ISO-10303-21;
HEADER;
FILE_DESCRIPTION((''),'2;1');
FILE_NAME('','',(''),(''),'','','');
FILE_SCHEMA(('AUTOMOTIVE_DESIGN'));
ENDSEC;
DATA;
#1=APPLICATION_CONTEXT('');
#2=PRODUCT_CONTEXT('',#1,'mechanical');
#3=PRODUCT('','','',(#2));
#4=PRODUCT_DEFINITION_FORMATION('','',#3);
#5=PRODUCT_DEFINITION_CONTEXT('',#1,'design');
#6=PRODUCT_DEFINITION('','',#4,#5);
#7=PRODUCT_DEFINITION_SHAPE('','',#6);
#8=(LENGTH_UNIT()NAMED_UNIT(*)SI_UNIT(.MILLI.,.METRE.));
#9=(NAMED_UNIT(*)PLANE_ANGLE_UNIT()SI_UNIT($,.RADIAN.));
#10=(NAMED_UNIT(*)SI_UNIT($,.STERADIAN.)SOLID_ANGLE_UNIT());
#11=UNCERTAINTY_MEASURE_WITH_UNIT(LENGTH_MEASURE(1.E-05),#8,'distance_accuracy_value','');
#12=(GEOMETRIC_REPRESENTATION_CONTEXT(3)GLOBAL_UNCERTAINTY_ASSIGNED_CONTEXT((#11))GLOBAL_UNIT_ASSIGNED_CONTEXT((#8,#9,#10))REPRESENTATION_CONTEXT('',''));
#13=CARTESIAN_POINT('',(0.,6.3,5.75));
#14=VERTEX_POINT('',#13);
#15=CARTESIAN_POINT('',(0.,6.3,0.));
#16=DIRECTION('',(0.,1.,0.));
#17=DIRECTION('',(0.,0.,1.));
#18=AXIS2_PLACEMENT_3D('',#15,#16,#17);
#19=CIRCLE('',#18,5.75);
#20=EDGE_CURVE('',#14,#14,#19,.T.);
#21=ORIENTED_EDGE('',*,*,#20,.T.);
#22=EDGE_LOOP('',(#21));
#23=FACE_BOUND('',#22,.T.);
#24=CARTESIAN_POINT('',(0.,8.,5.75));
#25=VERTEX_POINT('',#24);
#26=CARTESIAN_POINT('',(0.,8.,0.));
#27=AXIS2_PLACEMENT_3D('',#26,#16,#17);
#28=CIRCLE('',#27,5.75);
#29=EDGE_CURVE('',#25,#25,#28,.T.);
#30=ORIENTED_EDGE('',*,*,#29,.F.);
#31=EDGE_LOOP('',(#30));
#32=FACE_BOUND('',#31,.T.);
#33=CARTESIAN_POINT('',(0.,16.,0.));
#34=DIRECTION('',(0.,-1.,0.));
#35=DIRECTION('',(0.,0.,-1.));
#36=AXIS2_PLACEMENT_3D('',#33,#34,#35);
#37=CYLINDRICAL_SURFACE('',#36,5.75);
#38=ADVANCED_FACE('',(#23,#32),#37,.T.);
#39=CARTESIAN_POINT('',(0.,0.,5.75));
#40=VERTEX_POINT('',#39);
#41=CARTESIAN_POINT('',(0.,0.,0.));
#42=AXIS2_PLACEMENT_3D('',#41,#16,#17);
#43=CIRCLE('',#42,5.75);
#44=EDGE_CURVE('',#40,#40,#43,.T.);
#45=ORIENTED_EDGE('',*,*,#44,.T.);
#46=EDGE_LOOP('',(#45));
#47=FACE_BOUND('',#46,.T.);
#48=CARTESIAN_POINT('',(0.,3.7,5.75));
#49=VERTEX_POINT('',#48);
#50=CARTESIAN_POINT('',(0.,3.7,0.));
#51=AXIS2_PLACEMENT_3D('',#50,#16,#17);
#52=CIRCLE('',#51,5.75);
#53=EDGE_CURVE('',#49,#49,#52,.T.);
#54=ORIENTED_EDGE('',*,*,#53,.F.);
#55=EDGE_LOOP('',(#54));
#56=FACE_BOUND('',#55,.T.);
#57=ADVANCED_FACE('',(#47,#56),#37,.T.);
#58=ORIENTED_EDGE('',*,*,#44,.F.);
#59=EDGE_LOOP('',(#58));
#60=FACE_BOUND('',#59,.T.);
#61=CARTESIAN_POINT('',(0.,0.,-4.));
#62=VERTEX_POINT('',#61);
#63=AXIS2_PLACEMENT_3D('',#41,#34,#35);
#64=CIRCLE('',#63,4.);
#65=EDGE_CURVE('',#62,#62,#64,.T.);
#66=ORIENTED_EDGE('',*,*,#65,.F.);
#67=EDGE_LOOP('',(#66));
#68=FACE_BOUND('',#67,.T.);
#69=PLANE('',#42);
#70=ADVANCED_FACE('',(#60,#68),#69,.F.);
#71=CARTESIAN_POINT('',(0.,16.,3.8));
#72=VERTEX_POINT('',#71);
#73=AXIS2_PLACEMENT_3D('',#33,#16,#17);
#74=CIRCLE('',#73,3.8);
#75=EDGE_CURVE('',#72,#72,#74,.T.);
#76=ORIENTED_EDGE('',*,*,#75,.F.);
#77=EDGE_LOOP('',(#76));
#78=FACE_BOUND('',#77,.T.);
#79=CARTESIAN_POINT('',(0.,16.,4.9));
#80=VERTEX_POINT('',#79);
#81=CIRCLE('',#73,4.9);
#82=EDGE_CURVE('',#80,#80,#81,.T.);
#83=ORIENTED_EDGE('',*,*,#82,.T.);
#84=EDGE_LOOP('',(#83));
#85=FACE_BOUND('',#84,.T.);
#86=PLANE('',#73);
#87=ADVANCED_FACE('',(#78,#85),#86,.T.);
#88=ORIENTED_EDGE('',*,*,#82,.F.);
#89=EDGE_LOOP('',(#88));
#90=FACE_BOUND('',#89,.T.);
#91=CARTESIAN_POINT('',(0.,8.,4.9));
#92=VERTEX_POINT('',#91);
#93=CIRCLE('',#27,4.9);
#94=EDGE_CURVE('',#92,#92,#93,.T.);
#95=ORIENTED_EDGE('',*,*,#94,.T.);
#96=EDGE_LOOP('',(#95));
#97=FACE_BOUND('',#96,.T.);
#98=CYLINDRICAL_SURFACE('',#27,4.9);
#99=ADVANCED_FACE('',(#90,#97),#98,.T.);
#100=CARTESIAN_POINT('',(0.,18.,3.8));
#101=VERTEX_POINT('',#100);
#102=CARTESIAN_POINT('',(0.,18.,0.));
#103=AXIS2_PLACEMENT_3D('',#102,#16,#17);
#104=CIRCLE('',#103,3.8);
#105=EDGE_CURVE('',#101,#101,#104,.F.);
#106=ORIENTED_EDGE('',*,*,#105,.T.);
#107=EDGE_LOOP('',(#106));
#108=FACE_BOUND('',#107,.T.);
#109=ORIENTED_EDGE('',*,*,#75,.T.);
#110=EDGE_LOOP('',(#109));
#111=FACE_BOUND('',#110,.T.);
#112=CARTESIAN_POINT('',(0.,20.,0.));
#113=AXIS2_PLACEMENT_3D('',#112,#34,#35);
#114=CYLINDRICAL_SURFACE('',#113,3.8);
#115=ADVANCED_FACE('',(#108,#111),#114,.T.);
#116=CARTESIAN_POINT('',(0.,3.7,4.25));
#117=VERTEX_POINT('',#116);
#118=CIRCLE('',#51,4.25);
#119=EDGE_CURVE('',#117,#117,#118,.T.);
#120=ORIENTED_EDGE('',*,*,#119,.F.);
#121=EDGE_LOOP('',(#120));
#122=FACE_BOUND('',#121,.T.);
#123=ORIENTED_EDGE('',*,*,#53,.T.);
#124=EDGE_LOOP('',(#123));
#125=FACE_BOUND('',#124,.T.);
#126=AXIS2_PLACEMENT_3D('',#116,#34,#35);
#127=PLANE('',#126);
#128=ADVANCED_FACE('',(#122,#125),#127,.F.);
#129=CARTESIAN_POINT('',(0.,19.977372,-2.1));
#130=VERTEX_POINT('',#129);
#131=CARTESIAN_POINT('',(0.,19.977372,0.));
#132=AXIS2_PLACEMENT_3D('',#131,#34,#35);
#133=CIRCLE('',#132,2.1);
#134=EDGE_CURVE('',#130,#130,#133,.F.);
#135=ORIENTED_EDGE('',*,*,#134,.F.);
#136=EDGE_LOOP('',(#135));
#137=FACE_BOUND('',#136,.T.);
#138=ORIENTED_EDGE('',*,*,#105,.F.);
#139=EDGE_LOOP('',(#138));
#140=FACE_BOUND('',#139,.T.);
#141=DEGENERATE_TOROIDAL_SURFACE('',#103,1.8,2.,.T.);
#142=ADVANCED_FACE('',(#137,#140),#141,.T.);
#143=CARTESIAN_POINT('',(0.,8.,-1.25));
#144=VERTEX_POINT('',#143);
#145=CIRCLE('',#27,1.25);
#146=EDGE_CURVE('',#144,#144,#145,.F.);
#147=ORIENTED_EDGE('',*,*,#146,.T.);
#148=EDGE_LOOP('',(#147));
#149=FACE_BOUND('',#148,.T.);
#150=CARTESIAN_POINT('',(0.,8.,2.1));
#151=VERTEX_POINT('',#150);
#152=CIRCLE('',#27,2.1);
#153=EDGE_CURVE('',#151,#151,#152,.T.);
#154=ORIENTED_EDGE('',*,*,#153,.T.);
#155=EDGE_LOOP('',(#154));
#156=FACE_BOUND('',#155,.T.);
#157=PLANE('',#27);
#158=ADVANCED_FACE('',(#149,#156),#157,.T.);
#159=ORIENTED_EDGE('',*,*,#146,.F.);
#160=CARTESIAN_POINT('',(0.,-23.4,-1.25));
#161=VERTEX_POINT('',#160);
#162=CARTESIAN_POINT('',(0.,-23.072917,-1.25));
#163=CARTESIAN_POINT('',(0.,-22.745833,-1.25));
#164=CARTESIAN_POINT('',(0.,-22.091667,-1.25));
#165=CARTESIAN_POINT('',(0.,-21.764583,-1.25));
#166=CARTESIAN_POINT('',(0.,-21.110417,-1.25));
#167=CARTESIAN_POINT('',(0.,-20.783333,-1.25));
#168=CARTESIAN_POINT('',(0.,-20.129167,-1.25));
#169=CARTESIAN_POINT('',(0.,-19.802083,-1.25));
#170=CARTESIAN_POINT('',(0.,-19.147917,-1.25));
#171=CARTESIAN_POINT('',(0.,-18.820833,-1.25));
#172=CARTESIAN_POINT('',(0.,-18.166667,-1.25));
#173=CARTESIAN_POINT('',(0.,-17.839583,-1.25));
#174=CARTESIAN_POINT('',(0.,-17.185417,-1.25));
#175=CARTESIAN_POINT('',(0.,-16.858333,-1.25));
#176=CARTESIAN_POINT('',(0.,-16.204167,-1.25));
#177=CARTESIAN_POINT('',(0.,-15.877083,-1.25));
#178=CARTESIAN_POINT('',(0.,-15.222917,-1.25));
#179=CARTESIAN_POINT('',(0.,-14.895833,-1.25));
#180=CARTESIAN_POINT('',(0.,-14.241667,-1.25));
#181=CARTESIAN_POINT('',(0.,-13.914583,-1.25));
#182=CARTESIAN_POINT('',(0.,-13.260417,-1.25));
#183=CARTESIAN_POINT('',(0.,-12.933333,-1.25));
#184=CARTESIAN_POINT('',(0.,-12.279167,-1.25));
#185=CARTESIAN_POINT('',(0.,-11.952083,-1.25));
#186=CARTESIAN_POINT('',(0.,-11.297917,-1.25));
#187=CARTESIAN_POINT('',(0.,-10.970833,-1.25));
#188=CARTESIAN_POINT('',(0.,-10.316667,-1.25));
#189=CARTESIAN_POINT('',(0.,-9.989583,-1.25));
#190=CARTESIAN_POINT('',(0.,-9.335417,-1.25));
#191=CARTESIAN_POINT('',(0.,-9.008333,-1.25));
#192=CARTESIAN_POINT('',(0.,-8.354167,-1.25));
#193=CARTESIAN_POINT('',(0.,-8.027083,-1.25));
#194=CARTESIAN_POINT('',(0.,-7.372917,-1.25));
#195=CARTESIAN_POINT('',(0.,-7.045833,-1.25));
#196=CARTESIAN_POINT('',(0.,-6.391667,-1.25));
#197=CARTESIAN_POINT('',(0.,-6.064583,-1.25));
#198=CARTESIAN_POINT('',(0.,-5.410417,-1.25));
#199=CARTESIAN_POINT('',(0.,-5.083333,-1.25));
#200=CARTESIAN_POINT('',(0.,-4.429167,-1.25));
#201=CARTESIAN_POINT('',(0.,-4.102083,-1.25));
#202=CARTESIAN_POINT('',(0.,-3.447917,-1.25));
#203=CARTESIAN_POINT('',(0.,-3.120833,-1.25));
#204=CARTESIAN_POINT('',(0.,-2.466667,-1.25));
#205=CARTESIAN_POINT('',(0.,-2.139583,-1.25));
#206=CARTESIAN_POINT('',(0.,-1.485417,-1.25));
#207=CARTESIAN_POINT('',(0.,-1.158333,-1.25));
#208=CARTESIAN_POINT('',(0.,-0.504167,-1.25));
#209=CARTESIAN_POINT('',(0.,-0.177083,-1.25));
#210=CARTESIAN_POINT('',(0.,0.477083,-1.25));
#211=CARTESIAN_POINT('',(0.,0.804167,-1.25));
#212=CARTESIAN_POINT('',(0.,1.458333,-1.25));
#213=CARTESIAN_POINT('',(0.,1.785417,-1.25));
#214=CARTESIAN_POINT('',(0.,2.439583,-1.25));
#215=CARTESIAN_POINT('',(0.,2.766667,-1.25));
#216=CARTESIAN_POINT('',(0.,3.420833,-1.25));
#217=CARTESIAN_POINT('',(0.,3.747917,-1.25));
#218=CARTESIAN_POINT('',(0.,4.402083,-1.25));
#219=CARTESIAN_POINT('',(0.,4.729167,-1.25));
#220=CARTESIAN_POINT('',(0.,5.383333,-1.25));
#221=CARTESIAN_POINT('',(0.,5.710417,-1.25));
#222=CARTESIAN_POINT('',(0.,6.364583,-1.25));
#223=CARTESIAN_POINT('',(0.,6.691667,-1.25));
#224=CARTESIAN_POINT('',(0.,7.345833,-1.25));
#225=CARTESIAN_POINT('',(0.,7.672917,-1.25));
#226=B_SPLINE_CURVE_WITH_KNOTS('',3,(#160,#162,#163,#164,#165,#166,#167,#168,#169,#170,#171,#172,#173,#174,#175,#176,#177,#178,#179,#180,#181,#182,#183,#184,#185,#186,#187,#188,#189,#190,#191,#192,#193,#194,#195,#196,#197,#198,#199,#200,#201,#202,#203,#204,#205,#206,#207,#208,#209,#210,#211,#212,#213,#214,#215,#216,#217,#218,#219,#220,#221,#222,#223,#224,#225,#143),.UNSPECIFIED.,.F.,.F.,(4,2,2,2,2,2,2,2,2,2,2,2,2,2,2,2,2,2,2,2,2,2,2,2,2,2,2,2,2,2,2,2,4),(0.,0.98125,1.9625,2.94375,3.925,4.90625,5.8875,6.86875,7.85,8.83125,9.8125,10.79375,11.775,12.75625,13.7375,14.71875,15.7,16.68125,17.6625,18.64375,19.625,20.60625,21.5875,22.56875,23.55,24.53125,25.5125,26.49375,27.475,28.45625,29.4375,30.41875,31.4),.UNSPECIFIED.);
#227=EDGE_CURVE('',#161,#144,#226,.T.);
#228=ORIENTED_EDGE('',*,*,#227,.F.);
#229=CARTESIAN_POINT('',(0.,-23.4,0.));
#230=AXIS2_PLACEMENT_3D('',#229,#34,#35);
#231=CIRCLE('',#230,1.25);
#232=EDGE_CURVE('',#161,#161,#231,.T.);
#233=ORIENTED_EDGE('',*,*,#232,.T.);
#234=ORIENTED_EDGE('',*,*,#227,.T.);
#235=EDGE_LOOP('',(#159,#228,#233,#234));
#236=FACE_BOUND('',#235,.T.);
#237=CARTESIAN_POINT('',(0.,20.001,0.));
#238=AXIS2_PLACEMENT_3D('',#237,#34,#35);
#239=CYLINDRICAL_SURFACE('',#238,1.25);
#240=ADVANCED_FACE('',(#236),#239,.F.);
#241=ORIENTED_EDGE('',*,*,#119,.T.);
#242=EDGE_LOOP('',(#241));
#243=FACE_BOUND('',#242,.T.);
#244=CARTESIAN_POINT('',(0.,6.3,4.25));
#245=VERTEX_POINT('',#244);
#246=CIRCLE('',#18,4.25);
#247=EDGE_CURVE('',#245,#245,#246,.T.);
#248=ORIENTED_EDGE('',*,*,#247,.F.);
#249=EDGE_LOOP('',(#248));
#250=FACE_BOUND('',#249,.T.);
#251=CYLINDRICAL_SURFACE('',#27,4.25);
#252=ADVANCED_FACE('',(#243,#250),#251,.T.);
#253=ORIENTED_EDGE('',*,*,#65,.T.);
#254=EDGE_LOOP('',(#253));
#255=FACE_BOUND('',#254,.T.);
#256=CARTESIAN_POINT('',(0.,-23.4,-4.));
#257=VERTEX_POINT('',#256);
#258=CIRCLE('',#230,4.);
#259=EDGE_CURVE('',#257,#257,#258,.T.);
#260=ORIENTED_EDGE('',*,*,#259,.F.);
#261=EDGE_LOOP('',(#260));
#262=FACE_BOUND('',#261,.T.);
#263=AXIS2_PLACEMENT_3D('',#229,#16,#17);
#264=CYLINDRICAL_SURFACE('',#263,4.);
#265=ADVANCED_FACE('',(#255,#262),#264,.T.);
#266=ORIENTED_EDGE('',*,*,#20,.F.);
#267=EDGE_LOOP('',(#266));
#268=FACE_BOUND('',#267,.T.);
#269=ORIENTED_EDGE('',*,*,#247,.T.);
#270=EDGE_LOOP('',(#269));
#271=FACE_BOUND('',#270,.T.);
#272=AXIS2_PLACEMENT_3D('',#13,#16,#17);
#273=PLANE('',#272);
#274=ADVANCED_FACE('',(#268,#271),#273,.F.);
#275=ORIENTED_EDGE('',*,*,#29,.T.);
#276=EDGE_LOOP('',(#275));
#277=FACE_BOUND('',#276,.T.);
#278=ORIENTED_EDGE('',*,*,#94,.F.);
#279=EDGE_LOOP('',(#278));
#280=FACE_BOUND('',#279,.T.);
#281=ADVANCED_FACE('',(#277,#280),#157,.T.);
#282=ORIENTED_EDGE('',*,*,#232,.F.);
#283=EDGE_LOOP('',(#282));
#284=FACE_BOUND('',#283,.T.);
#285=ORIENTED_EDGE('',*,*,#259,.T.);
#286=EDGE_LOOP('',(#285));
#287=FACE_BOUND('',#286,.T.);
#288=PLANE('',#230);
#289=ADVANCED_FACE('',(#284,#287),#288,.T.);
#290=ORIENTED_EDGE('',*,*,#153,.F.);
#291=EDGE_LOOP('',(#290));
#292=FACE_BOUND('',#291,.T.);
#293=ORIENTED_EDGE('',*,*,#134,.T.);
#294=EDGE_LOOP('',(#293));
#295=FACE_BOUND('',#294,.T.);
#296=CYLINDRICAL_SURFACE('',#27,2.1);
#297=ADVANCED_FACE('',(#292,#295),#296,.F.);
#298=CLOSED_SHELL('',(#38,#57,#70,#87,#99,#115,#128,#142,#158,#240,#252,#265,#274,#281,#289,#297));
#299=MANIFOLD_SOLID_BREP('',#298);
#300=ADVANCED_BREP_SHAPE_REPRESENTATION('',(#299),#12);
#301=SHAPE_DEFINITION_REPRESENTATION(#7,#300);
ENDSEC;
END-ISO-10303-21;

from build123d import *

# Parameters (mm, degrees)
SKETCH1_R           = 5.75
BOSS_EXTRUDE1_DEPTH = 16
SKETCH2_OUTSIDE_W   = 18.062
SKETCH2_OUTSIDE_H   = 18.062
SKETCH2_OUTSIDE_R   = 4.9
CUT_EXTRUDE1_DEPTH  = 8
SKETCH3_R           = 3.8
BOSS_EXTRUDE2_DEPTH = 4
FILLET2_R           = 2
SKETCH4_R           = 4
BOSS_EXTRUDE3_DEPTH = 23.4
SKETCH12_W          = 1.5
SKETCH12_H          = 2.6
CUT_EXTRUDE2_REACH  = 46.155
SKETCH5_R           = 1.25
SKETCH13_R          = 2.1
CUT_EXTRUDE3_DEPTH  = 12


with BuildPart() as part:
    # Sketch1 → Boss-Extrude1 (new body)
    with BuildSketch(Plane(origin=(0, 0, 0), x_dir=(1, 0, 0), z_dir=(0, 1, 0))):
        with Locations(Location((0, 0, 0), (0, 0, 270))):
            Circle(SKETCH1_R)
    extrude(amount=BOSS_EXTRUDE1_DEPTH)

    # Sketch2 outside → Cut-Extrude1 (cut)
    with BuildSketch(Plane(origin=(0, 16, 0), x_dir=(1, 0, 0), z_dir=(0, 1, 0))):
        Rectangle(SKETCH2_OUTSIDE_W, SKETCH2_OUTSIDE_H)
        with Locations(Location((0, 0, 0), (0, 0, 270))):
            Circle(SKETCH2_OUTSIDE_R, mode=Mode.SUBTRACT)
    extrude(amount=-CUT_EXTRUDE1_DEPTH, mode=Mode.SUBTRACT)

    # Sketch3 → Boss-Extrude2 (add)
    with BuildSketch(Plane(origin=(0, 16, 0), x_dir=(1, 0, 0), z_dir=(0, 1, 0))):
        with Locations(Location((0, 0, 0), (0, 0, 270))):
            Circle(SKETCH3_R)
    extrude(amount=BOSS_EXTRUDE2_DEPTH)

    # Fillet2
    fillet2_edges = [part.edges().sort_by_distance(p)[0] for p in [
        (0, 20, -3.8),
    ]]
    fillet(fillet2_edges, radius=FILLET2_R)

    # Sketch4 → Boss-Extrude3 (add)
    with BuildSketch(Plane.XZ):
        with Locations(Location((0, 0, 0), (0, 0, 270))):
            Circle(SKETCH4_R)
    extrude(amount=BOSS_EXTRUDE3_DEPTH)

    # Sketch12 → Cut-Revolve2 (revolve, cut)
    with BuildSketch(Plane(origin=(0, 0, 0), x_dir=(0, 0, -1), z_dir=(1, 0, 0))):
        with Locations((-5, 5)):
            Rectangle(SKETCH12_W, SKETCH12_H)
    revolve(axis=Axis((0, 8, 0), (0, -1, 0)), mode=Mode.SUBTRACT)

    # Sketch5 → Cut-Extrude2 (cut, up to next)
    with BuildSketch(Plane.XZ.offset(23.4), mode=Mode.PRIVATE) as cut_extrude2_sk1:
        with Locations(Location((0, 0, 0), (0, 0, 270))):
            Circle(SKETCH5_R)
    cut_extrude2_tool1 = extrude(cut_extrude2_sk1.sketch, amount=-CUT_EXTRUDE2_REACH, mode=Mode.PRIVATE) & part.part
    add(cut_extrude2_tool1.solids().sort_by_distance((0, -23.4, 0))[0], mode=Mode.SUBTRACT)

    # Sketch13 → Cut-Extrude3 (cut)
    with BuildSketch(Plane(origin=(0, 20, 0), x_dir=(1, 0, 0), z_dir=(0, 1, 0))):
        with Locations(Location((0, 0, 0), (0, 0, 270))):
            Circle(SKETCH13_R)
    extrude(amount=-CUT_EXTRUDE3_DEPTH, mode=Mode.SUBTRACT)


solid = part.part
